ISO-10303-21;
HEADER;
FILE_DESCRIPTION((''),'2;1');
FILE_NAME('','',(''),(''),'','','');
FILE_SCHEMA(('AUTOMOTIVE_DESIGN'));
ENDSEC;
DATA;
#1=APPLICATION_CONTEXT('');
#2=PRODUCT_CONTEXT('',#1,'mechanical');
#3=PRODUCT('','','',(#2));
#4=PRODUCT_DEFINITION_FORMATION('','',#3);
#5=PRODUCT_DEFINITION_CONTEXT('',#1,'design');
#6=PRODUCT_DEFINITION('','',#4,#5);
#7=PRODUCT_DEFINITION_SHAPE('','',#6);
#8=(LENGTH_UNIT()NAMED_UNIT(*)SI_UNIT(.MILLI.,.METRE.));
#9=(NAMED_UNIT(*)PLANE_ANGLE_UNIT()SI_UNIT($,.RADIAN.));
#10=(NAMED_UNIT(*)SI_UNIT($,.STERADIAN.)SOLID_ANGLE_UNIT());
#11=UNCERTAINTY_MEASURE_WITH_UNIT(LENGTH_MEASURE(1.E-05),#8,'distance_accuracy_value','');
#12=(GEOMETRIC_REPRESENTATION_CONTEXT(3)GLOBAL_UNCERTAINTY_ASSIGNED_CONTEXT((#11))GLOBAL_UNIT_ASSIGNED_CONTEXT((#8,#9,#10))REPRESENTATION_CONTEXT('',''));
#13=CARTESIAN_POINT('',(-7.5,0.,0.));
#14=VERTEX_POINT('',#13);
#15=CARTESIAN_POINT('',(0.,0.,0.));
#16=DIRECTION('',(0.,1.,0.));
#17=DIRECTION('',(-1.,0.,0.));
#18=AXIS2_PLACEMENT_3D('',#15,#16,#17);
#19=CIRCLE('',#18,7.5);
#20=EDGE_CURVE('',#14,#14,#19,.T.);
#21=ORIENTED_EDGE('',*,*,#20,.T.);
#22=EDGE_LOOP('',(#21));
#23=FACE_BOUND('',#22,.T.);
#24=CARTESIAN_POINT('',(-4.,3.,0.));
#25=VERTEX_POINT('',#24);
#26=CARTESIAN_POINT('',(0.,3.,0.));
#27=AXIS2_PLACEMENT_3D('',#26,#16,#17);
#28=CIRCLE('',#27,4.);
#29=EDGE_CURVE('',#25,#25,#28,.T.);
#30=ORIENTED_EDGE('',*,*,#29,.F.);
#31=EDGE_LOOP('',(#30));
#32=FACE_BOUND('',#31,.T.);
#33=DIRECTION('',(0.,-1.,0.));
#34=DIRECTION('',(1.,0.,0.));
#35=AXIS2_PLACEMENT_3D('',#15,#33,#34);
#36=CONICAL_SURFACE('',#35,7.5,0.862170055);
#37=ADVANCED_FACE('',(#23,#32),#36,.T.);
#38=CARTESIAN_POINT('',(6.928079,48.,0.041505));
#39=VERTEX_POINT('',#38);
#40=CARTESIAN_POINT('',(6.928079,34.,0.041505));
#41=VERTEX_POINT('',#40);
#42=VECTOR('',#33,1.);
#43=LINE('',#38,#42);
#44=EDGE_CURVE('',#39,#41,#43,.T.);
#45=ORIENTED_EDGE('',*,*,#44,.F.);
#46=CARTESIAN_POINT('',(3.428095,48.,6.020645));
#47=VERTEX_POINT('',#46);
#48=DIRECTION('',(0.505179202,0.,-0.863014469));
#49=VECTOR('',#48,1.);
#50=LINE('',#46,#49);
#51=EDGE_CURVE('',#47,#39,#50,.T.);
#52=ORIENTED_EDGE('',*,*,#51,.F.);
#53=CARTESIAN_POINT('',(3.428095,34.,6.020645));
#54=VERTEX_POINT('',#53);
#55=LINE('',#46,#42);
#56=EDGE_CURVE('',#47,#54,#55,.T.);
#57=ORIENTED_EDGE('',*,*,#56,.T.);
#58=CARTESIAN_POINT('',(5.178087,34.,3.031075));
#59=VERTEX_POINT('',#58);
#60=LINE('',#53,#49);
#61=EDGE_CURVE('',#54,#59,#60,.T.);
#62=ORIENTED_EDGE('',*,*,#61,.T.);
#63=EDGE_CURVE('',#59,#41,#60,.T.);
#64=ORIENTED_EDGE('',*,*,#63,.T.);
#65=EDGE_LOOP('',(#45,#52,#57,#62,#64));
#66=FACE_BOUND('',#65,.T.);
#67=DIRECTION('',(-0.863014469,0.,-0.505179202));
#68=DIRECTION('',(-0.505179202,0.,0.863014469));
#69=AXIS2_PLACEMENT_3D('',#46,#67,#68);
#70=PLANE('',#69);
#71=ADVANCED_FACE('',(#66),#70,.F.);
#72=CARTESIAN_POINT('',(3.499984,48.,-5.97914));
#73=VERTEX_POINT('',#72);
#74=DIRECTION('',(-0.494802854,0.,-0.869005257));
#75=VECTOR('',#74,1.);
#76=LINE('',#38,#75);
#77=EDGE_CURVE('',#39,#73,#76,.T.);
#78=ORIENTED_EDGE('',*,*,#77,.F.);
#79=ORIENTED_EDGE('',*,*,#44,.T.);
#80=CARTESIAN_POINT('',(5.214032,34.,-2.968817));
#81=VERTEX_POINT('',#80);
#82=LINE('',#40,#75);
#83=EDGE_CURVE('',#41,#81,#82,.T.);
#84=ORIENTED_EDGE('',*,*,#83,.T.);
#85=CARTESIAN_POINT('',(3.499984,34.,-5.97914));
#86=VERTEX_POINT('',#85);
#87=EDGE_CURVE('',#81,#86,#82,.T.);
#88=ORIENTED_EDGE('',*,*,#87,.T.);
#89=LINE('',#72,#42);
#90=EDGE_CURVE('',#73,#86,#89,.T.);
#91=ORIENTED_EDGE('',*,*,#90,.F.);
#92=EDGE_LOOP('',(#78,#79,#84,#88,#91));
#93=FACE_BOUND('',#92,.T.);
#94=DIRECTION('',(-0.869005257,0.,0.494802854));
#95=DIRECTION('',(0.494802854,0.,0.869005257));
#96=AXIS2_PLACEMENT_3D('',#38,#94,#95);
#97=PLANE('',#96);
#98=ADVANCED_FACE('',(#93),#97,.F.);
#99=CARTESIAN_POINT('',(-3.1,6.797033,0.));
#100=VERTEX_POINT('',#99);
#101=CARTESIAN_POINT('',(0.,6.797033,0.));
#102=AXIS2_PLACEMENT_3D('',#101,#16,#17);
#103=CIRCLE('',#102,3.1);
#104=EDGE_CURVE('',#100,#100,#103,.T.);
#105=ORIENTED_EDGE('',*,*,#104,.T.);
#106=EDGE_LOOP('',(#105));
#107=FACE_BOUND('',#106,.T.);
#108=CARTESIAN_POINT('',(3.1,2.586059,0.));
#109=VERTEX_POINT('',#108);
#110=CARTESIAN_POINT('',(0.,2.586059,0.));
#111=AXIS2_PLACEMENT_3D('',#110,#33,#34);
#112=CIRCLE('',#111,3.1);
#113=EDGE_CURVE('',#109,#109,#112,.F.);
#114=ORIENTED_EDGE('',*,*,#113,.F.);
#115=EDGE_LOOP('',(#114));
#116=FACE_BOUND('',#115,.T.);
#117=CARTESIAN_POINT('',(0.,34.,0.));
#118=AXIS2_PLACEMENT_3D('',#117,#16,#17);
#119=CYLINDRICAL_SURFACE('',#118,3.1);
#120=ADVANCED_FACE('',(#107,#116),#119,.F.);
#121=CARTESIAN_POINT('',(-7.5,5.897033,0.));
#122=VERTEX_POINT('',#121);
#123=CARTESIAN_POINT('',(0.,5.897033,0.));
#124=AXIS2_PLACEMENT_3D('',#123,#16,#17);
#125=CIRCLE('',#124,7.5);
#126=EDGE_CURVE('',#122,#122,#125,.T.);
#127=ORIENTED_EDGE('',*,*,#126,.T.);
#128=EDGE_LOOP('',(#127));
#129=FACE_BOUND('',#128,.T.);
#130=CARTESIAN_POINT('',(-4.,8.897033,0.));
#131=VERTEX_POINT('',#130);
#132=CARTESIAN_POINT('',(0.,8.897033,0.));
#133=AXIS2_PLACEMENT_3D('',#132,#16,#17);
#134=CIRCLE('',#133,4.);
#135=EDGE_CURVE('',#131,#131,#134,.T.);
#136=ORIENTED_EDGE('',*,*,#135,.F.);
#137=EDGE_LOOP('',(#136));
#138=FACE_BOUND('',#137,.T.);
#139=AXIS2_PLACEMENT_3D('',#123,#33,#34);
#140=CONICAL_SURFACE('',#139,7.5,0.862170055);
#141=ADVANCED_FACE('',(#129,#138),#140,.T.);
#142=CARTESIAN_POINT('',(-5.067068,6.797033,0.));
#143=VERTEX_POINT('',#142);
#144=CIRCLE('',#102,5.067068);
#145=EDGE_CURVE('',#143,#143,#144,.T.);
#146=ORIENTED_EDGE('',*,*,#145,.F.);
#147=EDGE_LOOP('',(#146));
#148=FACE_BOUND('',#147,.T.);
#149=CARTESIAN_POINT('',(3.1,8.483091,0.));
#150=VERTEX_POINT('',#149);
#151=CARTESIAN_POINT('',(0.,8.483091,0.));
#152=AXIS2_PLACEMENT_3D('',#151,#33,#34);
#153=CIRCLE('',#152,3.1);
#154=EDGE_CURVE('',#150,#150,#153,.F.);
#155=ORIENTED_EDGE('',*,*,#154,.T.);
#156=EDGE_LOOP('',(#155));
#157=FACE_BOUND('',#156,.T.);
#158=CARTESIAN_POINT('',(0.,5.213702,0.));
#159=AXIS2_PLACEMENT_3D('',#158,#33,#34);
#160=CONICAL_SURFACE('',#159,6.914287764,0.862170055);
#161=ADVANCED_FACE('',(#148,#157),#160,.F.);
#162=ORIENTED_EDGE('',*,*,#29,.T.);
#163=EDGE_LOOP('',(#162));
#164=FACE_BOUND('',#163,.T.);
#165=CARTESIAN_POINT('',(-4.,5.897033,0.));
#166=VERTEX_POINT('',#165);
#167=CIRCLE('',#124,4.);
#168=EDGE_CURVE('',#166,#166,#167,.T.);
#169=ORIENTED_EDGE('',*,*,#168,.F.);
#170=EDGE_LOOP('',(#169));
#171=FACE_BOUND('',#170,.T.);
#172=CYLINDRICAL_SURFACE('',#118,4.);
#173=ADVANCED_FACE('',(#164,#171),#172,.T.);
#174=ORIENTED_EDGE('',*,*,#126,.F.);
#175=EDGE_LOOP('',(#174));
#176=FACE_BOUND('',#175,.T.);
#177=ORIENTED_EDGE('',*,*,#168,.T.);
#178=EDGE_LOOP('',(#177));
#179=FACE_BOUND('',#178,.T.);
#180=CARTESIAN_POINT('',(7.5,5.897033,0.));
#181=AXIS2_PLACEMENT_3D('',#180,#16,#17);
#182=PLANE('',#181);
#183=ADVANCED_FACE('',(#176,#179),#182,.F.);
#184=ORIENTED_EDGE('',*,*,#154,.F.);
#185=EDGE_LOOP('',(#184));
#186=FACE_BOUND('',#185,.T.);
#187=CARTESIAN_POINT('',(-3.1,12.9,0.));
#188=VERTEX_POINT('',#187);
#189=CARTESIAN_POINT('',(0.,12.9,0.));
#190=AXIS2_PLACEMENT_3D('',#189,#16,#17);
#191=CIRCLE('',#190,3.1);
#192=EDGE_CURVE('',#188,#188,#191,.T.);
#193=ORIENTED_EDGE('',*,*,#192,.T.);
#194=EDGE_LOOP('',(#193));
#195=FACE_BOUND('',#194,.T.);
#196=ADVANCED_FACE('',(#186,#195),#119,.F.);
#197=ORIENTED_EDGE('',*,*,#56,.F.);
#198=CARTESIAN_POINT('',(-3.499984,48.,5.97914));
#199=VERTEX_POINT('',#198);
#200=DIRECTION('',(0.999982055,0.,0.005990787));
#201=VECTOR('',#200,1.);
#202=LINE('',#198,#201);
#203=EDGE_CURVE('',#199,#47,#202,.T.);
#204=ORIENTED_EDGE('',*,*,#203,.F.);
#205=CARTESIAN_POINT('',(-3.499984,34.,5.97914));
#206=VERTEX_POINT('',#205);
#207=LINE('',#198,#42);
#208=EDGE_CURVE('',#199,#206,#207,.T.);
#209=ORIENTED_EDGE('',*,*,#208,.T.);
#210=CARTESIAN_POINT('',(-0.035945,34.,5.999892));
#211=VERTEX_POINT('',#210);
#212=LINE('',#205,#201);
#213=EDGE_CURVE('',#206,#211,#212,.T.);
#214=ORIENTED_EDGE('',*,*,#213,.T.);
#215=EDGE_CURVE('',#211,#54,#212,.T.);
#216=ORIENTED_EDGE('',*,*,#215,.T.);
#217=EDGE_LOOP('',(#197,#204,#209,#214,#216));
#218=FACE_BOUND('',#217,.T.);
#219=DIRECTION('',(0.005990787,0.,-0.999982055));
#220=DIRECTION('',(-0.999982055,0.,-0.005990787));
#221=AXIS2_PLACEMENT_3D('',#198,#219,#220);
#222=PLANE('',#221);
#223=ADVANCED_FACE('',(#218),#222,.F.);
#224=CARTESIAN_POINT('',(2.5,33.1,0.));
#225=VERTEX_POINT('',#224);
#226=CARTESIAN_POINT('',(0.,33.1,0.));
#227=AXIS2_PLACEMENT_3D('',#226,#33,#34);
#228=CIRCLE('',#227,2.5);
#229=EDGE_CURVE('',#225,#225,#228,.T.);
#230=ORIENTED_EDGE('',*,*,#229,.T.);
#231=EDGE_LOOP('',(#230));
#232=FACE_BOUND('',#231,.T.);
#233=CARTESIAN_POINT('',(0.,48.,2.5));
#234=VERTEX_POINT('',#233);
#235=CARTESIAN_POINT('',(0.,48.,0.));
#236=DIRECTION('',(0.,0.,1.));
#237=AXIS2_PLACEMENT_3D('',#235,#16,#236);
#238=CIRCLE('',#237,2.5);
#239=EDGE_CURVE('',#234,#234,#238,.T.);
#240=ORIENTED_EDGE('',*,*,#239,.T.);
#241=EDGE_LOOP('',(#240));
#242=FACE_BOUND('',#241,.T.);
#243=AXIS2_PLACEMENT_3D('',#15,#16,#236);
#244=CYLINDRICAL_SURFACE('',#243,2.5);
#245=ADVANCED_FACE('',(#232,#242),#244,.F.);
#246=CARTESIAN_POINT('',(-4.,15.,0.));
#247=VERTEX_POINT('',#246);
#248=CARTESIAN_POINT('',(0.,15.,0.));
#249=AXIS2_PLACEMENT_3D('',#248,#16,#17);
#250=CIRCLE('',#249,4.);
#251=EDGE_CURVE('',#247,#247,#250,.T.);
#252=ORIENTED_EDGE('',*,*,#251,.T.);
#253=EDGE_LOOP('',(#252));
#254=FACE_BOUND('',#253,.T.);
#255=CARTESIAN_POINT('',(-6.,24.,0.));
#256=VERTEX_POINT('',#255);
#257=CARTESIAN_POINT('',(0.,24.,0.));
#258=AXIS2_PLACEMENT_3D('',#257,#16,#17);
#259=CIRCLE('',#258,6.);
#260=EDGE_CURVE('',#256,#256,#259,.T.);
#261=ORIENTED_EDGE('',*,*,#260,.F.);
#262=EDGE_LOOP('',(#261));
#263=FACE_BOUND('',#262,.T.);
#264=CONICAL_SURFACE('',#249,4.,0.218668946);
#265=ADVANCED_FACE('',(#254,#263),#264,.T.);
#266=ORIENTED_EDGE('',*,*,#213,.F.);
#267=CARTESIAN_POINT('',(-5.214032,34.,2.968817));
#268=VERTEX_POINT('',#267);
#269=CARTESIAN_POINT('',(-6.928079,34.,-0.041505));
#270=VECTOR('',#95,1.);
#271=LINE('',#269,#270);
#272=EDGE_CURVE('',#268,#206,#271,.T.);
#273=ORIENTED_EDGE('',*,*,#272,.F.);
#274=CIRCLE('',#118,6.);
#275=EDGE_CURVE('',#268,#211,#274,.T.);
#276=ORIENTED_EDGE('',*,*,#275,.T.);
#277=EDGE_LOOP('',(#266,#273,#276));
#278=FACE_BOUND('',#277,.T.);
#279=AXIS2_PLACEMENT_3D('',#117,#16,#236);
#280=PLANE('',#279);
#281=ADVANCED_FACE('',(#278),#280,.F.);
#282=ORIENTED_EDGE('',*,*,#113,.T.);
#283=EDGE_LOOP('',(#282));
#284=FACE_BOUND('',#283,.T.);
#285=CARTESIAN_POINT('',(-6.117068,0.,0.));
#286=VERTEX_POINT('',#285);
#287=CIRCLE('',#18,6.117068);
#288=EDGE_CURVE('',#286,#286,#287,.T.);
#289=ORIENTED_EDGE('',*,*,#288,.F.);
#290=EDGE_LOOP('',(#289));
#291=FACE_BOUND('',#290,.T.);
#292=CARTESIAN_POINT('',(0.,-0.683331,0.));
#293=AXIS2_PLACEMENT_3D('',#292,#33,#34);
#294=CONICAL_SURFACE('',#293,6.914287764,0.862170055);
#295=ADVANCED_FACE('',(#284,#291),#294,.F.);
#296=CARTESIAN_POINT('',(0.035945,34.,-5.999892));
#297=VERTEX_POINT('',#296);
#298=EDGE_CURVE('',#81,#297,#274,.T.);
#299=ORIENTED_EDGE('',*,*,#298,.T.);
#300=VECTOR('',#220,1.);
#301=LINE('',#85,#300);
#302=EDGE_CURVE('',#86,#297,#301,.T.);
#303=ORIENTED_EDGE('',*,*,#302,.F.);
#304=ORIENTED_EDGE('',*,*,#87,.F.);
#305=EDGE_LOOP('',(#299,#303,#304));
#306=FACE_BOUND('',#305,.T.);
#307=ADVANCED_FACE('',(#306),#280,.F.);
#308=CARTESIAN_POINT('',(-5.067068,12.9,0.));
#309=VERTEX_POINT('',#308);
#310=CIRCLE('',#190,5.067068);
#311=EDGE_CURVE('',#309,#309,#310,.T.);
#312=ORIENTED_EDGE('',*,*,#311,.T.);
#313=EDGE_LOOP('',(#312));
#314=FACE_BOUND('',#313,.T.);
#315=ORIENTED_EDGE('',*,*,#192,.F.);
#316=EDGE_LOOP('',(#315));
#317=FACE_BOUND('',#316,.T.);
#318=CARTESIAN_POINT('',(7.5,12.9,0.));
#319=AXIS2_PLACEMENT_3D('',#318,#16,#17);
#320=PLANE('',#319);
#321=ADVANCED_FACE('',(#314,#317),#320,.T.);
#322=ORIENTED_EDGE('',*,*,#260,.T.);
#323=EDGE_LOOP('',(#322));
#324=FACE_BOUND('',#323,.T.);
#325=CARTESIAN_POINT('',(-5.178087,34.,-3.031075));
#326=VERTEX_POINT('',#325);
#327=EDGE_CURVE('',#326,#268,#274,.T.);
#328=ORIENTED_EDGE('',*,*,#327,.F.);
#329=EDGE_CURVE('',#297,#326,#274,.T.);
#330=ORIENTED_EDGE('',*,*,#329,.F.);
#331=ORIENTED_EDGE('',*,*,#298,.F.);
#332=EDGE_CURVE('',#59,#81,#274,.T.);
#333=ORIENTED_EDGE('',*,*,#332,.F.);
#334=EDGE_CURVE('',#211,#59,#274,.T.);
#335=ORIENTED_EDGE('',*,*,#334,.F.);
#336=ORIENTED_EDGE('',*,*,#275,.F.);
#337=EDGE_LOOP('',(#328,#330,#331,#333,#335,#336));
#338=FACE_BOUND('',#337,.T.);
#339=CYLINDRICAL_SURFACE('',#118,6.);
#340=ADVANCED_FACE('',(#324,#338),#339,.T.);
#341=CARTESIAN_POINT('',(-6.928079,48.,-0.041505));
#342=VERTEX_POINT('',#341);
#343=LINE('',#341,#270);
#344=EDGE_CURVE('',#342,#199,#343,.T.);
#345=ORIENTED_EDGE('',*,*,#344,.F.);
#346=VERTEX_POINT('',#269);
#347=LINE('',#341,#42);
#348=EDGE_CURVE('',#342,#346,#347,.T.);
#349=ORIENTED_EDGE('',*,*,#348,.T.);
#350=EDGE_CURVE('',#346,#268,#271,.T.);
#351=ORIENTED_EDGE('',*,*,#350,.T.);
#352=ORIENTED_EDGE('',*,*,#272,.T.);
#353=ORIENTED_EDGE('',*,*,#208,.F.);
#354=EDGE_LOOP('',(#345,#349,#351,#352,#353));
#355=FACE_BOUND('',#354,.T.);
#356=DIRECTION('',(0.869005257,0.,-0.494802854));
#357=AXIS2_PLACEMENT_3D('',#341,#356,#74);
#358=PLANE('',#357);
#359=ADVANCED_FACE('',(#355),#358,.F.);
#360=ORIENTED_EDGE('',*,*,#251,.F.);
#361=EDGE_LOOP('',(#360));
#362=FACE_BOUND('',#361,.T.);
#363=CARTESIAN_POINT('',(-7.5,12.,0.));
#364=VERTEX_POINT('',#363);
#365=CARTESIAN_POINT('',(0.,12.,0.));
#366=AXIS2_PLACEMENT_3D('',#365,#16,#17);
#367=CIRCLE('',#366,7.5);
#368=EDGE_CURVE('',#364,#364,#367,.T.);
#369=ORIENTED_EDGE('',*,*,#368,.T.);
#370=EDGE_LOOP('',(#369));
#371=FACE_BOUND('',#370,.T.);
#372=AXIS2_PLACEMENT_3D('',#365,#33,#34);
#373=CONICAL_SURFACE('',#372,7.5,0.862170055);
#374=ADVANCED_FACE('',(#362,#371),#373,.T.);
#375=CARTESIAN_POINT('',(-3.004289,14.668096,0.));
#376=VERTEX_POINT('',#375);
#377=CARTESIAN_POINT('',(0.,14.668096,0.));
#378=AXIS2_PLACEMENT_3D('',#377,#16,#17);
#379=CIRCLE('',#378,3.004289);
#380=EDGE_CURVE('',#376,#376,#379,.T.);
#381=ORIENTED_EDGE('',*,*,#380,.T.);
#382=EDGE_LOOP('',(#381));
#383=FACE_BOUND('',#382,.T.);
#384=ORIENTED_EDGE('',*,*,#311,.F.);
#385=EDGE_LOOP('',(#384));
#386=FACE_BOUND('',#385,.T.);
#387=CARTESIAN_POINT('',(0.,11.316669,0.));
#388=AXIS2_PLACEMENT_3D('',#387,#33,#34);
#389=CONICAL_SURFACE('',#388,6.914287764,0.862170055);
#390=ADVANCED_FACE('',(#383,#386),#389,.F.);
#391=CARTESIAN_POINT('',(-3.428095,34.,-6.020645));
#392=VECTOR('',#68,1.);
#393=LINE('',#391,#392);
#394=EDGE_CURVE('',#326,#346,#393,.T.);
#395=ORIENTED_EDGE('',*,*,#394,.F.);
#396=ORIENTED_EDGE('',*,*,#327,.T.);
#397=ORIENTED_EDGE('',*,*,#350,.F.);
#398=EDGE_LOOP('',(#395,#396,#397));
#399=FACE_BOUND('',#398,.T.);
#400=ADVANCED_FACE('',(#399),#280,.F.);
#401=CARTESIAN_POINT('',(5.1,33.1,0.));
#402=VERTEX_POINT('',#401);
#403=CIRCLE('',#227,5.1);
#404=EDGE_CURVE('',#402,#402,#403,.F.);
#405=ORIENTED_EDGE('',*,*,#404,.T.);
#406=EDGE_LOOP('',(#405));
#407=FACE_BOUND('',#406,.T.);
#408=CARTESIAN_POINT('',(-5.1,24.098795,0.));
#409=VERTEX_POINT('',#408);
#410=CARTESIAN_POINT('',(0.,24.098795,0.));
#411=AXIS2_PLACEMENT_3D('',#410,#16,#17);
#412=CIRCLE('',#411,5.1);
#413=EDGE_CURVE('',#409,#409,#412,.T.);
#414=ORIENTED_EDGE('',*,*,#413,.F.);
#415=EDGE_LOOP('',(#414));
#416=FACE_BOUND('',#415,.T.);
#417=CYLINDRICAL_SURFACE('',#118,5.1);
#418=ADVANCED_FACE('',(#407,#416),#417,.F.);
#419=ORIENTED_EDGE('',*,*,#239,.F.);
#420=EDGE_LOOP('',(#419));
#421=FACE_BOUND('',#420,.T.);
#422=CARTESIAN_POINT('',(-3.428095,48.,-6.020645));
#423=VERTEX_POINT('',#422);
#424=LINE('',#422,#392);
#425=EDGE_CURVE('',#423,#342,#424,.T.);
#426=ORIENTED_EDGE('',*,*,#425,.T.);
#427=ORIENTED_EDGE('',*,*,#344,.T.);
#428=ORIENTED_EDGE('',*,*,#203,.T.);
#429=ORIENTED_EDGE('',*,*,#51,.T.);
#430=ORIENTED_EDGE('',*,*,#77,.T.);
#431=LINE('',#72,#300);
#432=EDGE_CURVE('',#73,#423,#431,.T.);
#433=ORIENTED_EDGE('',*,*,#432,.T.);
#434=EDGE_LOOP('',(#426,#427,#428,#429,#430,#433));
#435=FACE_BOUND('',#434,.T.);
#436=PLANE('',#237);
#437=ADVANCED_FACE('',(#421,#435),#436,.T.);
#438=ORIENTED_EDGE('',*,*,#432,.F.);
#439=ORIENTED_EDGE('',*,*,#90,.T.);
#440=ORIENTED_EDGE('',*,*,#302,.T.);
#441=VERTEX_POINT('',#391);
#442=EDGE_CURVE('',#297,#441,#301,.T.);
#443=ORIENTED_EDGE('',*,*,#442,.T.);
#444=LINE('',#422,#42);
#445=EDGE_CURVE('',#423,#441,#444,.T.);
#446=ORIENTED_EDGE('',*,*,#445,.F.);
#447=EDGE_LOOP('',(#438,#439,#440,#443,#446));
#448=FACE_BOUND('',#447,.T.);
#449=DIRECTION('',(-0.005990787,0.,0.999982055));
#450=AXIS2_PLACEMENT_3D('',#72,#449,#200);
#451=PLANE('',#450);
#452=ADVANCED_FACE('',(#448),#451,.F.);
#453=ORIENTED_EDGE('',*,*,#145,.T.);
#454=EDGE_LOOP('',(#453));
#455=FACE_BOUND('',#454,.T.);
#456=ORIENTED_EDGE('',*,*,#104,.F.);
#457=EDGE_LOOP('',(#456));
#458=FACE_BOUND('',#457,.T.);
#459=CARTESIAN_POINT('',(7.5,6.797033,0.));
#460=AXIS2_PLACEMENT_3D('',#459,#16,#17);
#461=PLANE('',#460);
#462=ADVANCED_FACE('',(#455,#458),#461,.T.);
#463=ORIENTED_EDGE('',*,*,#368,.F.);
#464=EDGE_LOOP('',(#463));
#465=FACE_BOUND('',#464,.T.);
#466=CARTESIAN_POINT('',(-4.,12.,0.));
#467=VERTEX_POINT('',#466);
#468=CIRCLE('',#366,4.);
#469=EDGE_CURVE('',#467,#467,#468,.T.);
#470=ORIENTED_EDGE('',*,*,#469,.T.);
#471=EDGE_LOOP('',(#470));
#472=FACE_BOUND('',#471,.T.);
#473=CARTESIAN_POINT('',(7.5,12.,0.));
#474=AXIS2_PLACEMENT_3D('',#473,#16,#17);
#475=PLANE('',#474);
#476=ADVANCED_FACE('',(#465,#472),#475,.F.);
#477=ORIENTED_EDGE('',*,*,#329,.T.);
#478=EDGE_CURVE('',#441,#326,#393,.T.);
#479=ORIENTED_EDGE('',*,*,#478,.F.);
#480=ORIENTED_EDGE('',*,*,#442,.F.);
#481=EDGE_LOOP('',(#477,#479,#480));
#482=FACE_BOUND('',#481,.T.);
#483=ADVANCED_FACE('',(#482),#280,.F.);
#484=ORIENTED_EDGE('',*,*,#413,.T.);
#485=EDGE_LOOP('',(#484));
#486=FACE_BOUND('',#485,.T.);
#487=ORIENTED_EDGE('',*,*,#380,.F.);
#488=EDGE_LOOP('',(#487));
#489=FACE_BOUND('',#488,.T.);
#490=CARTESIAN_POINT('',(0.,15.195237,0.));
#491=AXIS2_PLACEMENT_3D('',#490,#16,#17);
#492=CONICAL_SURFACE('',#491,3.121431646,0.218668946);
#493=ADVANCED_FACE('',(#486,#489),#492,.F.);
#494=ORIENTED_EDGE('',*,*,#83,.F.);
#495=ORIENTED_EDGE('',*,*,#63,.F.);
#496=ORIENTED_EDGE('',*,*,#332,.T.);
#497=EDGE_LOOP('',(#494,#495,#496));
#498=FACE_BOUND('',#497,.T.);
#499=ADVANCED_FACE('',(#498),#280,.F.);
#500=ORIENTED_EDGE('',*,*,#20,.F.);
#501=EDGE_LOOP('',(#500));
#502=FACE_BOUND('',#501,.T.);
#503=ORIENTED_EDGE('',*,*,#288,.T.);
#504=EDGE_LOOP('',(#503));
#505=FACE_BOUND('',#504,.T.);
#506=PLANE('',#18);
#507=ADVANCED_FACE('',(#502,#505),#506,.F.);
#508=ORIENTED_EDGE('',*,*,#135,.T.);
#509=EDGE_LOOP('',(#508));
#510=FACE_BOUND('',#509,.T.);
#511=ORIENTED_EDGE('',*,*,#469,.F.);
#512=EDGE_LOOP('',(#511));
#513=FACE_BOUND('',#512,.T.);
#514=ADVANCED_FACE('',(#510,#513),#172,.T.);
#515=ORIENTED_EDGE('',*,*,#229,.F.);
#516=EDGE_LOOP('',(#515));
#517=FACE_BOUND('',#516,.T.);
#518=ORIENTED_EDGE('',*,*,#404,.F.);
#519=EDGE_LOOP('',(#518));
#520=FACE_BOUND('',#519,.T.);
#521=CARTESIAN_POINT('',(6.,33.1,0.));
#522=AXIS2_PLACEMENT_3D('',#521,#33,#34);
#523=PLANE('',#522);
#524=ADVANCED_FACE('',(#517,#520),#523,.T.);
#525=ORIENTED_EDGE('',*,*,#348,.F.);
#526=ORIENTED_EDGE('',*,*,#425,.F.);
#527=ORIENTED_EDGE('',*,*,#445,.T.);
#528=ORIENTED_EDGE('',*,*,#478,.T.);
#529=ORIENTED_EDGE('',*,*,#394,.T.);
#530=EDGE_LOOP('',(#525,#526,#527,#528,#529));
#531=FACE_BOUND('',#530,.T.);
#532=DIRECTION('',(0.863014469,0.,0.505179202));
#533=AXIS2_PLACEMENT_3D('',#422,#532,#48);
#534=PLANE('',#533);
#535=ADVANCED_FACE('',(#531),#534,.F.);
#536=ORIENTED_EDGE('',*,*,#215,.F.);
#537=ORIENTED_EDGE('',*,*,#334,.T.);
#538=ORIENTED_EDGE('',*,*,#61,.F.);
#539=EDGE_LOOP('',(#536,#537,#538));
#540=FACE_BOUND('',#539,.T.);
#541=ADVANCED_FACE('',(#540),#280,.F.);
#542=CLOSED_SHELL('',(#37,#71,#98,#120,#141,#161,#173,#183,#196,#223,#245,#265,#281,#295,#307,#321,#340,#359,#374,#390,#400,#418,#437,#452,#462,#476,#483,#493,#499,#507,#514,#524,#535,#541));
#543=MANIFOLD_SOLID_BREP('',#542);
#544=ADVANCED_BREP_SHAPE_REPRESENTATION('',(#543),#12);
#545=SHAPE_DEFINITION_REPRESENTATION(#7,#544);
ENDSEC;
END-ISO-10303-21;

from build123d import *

# Parameters (mm, degrees)
COQUE_T       = -0.9
BOSSAGE_DEPTH = 14
ESQUISSE3_R   = 2.5
ENLEV_DEPTH   = 50.157908825


with BuildPart() as part:
    # esquisse → revolution (revolve)
    with BuildSketch(Plane.XY, mode=Mode.PRIVATE) as revolution_sk:
        Polygon((0, 0), (7.5, 0), (4, 3), (4, 5.897032863), (7.5, 5.897032863), (4, 8.897032863), (4, 12), (7.5, 12), (4, 15), (6, 24), (6, 34), (0, 34), align=None)
    revolve(revolution_sk.sketch.rotate(Axis((0, 34, 0), (0, -1, 0)), 180), axis=Axis((0, 34, 0), (0, -1, 0)))

    # coque
    coque_openings = [part.faces().sort_by_distance(p)[0] for p in [
        (0, 0, 0),
    ]]
    offset(amount=COQUE_T, openings=coque_openings, kind=Kind.INTERSECTION)

    # Esboço2 → bossage (add)
    with BuildSketch(Plane(origin=(0, 34, 0), x_dir=(1, 0, 0), z_dir=(0, 1, 0))):
        Polygon((3.499984176, 5.979139634), (-3.428094728, 6.020645027), (-6.928078904, 0.041505392), (-3.499984176, -5.979139634), (3.428094728, -6.020645027), (6.928078904, -0.041505392), align=None)
    extrude(amount=BOSSAGE_DEPTH)

    # esquisse3 → enlev (cut, through all)
    with BuildSketch(Plane(origin=(0, 48, 0), x_dir=(1, 0, 0), z_dir=(0, 1, 0))):
        with Locations(Location((0, 0, 0), (0, 0, 270))):
            Circle(ESQUISSE3_R)
    extrude(amount=-ENLEV_DEPTH, mode=Mode.SUBTRACT)


solid = part.part
